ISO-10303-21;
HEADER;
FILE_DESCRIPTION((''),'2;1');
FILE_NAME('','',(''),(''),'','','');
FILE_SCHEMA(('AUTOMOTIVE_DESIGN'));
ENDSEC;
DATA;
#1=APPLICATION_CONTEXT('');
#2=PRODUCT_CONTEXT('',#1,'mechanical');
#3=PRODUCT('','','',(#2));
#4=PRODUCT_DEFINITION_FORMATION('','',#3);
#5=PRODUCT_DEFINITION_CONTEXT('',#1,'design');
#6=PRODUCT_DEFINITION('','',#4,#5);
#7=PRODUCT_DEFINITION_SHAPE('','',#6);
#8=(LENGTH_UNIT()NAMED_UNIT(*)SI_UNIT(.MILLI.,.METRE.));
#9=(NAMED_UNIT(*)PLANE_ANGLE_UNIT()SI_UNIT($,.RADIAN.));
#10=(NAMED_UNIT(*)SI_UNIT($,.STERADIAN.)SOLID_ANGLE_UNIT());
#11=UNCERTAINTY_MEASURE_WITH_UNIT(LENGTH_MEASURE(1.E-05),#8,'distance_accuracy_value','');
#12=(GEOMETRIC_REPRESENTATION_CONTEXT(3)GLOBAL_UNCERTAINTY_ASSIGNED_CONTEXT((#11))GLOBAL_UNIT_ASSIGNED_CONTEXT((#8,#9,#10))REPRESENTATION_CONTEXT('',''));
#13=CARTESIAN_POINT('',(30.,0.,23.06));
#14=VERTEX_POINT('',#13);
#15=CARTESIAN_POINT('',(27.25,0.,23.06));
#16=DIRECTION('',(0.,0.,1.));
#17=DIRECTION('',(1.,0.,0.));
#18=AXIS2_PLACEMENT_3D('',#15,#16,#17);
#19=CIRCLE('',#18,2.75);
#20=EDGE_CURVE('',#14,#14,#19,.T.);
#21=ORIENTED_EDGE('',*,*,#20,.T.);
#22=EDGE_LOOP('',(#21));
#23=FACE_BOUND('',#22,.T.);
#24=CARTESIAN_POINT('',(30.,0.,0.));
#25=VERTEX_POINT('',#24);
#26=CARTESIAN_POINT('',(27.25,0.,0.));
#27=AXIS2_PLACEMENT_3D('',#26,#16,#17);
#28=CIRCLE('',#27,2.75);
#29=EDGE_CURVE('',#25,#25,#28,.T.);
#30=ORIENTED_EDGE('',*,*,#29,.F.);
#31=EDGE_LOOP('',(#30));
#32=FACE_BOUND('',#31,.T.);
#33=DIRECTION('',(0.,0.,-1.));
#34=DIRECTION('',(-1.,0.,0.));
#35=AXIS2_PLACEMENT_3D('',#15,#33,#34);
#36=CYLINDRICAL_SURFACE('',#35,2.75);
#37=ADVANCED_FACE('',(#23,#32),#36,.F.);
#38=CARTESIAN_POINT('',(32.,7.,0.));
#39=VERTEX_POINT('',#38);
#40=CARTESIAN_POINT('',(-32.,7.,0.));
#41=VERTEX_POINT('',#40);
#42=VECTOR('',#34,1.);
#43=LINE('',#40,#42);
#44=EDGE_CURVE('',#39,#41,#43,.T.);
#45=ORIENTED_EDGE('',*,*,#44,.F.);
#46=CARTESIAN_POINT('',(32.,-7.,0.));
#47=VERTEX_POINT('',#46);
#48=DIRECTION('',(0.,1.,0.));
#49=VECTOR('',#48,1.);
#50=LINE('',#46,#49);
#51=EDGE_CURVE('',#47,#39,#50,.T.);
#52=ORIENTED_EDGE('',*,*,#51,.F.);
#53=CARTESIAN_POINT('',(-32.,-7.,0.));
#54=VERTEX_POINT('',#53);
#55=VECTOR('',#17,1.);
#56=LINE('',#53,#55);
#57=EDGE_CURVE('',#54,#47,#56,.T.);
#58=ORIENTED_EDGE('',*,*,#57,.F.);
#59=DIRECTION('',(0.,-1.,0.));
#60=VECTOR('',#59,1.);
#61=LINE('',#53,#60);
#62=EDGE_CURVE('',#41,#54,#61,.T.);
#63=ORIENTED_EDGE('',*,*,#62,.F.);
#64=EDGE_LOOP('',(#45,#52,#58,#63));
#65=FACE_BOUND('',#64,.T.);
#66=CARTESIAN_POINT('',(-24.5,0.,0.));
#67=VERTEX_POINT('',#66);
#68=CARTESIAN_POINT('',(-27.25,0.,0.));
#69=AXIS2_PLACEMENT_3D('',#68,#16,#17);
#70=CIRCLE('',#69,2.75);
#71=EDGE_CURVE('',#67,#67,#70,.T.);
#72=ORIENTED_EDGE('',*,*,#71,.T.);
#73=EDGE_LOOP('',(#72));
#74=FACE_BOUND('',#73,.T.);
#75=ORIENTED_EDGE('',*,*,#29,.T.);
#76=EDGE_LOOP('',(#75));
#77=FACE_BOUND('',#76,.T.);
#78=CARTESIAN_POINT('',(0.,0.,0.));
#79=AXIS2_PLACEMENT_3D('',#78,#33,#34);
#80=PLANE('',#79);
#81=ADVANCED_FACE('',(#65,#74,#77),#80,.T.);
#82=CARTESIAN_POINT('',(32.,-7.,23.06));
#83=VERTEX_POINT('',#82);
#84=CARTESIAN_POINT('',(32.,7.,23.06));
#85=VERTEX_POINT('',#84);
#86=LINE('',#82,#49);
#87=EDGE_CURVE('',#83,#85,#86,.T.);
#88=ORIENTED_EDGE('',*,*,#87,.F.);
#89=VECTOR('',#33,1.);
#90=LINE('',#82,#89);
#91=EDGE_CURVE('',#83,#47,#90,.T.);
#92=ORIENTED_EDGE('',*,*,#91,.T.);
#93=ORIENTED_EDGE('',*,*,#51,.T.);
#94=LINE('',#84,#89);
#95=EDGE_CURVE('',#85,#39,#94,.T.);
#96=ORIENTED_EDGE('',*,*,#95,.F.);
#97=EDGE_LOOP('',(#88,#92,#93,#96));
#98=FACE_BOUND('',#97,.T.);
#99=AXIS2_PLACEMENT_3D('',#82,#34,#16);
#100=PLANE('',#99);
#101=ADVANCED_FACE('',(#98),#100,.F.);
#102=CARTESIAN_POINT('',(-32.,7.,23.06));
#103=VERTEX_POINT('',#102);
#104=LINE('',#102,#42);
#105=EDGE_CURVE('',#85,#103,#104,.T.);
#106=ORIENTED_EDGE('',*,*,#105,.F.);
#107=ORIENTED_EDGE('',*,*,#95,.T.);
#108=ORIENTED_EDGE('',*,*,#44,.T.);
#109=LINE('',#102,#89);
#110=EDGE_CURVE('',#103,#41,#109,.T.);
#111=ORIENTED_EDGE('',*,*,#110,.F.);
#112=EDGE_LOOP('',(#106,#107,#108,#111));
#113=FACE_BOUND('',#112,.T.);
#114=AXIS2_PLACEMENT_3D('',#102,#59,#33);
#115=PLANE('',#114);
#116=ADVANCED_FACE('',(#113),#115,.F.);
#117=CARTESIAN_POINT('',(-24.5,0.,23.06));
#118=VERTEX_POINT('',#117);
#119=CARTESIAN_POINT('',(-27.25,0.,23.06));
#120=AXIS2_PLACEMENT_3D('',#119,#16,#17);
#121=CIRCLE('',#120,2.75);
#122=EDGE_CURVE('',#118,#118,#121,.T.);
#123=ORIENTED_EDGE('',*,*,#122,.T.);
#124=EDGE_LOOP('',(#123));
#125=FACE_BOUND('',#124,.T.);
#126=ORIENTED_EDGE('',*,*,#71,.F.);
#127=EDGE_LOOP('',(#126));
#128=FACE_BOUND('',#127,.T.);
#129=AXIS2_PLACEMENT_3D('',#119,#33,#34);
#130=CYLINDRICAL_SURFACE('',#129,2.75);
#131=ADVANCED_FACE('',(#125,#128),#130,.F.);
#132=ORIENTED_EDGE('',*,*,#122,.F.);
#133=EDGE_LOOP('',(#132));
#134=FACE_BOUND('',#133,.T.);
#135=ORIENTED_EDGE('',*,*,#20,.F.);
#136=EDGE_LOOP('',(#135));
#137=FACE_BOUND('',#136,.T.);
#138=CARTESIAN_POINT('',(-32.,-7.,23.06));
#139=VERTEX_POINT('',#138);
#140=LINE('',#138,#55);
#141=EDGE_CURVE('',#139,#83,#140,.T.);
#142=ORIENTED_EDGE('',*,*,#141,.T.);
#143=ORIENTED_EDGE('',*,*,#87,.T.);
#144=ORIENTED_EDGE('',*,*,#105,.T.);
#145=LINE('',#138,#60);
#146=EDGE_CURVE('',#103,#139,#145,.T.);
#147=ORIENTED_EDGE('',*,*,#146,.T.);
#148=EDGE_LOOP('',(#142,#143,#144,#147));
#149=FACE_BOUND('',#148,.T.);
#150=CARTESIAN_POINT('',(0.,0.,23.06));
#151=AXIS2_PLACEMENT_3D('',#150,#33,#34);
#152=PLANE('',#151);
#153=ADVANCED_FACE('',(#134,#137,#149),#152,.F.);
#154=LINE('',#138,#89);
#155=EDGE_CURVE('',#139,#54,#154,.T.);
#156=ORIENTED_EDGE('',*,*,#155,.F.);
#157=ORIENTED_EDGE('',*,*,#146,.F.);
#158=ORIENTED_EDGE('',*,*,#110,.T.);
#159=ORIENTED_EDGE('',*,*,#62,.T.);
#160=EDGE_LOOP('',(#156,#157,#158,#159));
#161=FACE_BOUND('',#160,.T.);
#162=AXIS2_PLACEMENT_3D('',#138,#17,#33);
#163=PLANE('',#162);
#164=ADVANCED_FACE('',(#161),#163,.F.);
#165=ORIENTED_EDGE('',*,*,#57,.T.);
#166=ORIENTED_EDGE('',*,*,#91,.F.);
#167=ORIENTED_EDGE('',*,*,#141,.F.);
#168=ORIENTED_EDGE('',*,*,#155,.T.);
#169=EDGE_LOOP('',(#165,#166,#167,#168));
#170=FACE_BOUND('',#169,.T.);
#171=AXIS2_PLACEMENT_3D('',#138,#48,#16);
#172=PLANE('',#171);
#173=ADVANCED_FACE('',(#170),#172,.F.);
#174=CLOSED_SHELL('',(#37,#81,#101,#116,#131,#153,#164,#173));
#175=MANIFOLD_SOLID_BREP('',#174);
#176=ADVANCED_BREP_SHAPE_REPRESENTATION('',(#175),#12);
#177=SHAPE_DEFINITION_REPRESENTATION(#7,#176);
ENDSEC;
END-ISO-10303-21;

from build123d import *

# Parameters (mm, degrees)
SKETCH_1_W      = 64
SKETCH_1_H      = 14
SKETCH_1_R      = 2.75
EXTRUDE_1_DEPTH = 23.06


with BuildPart() as part:
    # 草图1 → 凸台-拉伸1 (new body)
    with BuildSketch(Plane.XY):
        Rectangle(SKETCH_1_W, SKETCH_1_H)
        with Locations((-27.25, 0)):
            Circle(SKETCH_1_R, mode=Mode.SUBTRACT)
        with Locations((27.25, 0)):
            Circle(SKETCH_1_R, mode=Mode.SUBTRACT)
    extrude(amount=EXTRUDE_1_DEPTH)


solid = part.part
